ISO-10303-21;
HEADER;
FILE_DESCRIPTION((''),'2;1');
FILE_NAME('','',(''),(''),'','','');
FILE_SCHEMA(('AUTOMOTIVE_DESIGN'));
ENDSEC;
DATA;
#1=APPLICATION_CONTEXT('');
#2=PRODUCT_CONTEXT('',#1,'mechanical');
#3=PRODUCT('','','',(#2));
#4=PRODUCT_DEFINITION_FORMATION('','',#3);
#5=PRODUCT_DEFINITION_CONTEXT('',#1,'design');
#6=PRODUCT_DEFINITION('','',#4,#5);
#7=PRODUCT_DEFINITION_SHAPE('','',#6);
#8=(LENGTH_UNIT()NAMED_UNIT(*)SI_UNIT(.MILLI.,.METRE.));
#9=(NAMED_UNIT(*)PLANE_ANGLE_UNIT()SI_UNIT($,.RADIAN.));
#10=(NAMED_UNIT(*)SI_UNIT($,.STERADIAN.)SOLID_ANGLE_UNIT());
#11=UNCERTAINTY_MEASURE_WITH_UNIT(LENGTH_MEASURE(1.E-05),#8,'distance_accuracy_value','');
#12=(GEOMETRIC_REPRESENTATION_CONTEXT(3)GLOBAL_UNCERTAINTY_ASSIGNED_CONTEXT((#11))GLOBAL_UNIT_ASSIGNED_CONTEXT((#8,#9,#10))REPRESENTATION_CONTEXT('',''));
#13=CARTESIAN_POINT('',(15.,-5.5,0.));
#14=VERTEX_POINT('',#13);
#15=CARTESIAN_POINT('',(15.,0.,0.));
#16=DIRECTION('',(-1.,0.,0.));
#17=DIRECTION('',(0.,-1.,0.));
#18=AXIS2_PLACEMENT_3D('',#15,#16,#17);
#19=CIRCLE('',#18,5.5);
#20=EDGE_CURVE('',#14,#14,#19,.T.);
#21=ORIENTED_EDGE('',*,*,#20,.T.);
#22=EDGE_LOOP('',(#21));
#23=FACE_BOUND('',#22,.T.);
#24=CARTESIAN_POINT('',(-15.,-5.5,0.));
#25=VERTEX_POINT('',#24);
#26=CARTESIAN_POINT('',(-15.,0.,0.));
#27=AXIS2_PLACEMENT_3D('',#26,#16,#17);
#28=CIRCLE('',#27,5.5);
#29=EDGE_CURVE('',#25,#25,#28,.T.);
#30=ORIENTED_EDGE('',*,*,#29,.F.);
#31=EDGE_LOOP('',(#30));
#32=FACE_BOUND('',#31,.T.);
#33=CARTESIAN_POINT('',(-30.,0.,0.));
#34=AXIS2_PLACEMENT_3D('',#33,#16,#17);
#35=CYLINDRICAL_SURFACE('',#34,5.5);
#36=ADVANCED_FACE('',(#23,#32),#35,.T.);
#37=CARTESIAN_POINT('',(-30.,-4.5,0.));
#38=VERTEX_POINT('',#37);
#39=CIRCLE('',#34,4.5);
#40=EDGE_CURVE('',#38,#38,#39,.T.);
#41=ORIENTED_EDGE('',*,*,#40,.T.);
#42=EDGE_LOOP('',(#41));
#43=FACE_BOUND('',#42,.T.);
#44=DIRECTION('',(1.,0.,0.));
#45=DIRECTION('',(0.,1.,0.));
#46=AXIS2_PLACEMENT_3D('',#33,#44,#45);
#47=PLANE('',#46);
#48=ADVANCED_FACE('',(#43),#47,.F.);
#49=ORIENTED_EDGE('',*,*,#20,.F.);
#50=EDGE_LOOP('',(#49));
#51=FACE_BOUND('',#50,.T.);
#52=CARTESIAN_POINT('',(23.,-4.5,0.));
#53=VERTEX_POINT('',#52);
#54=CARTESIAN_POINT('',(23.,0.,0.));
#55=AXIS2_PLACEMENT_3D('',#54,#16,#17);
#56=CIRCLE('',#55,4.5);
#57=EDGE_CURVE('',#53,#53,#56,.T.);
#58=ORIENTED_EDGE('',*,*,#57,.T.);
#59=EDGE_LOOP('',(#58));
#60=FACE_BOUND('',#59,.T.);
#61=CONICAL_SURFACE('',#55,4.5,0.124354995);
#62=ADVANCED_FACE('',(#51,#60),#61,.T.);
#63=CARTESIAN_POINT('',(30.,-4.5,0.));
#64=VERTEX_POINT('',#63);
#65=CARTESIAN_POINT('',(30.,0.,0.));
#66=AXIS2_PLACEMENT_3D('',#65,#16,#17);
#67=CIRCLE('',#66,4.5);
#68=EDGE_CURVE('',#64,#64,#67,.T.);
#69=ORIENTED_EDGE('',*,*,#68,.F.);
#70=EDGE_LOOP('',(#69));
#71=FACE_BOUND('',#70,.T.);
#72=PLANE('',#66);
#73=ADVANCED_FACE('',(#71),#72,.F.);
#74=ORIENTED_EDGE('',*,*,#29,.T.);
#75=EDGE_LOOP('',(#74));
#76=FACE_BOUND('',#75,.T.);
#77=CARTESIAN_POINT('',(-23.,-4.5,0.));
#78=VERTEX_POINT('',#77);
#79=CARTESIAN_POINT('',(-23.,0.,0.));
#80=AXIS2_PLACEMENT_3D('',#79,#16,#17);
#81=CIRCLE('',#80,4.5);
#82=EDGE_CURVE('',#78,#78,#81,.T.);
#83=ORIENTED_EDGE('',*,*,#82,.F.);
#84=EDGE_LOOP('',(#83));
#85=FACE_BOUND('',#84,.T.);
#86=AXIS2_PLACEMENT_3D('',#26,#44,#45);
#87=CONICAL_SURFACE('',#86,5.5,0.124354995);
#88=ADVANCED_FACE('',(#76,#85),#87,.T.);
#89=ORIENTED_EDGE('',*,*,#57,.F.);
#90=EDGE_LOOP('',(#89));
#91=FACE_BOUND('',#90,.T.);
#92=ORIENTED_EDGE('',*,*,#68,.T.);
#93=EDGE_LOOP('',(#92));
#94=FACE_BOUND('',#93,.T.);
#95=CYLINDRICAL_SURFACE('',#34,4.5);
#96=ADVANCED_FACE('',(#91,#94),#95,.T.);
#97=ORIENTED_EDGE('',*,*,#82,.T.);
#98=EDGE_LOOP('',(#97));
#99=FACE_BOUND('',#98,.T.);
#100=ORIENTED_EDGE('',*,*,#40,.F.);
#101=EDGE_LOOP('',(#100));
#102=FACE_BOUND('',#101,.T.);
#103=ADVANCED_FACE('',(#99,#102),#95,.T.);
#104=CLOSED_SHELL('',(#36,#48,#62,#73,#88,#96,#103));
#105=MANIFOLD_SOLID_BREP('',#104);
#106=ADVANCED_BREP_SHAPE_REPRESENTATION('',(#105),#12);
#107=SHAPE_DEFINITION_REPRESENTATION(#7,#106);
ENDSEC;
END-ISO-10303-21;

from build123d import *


with BuildPart() as part:
    # Esquisse1 → Révolution1 (revolve)
    with BuildSketch(Plane.XY, mode=Mode.PRIVATE) as r_volution1_sk:
        Polygon((-30, 0), (30, 0), (30, 4.5), (23, 4.5), (15, 5.5), (-15, 5.5), (-23, 4.5), (-30, 4.5), align=None)
    revolve(r_volution1_sk.sketch.rotate(Axis((-30, 0, 0), (1, 0, 0)), 180), axis=Axis((-30, 0, 0), (1, 0, 0)))


solid = part.part
